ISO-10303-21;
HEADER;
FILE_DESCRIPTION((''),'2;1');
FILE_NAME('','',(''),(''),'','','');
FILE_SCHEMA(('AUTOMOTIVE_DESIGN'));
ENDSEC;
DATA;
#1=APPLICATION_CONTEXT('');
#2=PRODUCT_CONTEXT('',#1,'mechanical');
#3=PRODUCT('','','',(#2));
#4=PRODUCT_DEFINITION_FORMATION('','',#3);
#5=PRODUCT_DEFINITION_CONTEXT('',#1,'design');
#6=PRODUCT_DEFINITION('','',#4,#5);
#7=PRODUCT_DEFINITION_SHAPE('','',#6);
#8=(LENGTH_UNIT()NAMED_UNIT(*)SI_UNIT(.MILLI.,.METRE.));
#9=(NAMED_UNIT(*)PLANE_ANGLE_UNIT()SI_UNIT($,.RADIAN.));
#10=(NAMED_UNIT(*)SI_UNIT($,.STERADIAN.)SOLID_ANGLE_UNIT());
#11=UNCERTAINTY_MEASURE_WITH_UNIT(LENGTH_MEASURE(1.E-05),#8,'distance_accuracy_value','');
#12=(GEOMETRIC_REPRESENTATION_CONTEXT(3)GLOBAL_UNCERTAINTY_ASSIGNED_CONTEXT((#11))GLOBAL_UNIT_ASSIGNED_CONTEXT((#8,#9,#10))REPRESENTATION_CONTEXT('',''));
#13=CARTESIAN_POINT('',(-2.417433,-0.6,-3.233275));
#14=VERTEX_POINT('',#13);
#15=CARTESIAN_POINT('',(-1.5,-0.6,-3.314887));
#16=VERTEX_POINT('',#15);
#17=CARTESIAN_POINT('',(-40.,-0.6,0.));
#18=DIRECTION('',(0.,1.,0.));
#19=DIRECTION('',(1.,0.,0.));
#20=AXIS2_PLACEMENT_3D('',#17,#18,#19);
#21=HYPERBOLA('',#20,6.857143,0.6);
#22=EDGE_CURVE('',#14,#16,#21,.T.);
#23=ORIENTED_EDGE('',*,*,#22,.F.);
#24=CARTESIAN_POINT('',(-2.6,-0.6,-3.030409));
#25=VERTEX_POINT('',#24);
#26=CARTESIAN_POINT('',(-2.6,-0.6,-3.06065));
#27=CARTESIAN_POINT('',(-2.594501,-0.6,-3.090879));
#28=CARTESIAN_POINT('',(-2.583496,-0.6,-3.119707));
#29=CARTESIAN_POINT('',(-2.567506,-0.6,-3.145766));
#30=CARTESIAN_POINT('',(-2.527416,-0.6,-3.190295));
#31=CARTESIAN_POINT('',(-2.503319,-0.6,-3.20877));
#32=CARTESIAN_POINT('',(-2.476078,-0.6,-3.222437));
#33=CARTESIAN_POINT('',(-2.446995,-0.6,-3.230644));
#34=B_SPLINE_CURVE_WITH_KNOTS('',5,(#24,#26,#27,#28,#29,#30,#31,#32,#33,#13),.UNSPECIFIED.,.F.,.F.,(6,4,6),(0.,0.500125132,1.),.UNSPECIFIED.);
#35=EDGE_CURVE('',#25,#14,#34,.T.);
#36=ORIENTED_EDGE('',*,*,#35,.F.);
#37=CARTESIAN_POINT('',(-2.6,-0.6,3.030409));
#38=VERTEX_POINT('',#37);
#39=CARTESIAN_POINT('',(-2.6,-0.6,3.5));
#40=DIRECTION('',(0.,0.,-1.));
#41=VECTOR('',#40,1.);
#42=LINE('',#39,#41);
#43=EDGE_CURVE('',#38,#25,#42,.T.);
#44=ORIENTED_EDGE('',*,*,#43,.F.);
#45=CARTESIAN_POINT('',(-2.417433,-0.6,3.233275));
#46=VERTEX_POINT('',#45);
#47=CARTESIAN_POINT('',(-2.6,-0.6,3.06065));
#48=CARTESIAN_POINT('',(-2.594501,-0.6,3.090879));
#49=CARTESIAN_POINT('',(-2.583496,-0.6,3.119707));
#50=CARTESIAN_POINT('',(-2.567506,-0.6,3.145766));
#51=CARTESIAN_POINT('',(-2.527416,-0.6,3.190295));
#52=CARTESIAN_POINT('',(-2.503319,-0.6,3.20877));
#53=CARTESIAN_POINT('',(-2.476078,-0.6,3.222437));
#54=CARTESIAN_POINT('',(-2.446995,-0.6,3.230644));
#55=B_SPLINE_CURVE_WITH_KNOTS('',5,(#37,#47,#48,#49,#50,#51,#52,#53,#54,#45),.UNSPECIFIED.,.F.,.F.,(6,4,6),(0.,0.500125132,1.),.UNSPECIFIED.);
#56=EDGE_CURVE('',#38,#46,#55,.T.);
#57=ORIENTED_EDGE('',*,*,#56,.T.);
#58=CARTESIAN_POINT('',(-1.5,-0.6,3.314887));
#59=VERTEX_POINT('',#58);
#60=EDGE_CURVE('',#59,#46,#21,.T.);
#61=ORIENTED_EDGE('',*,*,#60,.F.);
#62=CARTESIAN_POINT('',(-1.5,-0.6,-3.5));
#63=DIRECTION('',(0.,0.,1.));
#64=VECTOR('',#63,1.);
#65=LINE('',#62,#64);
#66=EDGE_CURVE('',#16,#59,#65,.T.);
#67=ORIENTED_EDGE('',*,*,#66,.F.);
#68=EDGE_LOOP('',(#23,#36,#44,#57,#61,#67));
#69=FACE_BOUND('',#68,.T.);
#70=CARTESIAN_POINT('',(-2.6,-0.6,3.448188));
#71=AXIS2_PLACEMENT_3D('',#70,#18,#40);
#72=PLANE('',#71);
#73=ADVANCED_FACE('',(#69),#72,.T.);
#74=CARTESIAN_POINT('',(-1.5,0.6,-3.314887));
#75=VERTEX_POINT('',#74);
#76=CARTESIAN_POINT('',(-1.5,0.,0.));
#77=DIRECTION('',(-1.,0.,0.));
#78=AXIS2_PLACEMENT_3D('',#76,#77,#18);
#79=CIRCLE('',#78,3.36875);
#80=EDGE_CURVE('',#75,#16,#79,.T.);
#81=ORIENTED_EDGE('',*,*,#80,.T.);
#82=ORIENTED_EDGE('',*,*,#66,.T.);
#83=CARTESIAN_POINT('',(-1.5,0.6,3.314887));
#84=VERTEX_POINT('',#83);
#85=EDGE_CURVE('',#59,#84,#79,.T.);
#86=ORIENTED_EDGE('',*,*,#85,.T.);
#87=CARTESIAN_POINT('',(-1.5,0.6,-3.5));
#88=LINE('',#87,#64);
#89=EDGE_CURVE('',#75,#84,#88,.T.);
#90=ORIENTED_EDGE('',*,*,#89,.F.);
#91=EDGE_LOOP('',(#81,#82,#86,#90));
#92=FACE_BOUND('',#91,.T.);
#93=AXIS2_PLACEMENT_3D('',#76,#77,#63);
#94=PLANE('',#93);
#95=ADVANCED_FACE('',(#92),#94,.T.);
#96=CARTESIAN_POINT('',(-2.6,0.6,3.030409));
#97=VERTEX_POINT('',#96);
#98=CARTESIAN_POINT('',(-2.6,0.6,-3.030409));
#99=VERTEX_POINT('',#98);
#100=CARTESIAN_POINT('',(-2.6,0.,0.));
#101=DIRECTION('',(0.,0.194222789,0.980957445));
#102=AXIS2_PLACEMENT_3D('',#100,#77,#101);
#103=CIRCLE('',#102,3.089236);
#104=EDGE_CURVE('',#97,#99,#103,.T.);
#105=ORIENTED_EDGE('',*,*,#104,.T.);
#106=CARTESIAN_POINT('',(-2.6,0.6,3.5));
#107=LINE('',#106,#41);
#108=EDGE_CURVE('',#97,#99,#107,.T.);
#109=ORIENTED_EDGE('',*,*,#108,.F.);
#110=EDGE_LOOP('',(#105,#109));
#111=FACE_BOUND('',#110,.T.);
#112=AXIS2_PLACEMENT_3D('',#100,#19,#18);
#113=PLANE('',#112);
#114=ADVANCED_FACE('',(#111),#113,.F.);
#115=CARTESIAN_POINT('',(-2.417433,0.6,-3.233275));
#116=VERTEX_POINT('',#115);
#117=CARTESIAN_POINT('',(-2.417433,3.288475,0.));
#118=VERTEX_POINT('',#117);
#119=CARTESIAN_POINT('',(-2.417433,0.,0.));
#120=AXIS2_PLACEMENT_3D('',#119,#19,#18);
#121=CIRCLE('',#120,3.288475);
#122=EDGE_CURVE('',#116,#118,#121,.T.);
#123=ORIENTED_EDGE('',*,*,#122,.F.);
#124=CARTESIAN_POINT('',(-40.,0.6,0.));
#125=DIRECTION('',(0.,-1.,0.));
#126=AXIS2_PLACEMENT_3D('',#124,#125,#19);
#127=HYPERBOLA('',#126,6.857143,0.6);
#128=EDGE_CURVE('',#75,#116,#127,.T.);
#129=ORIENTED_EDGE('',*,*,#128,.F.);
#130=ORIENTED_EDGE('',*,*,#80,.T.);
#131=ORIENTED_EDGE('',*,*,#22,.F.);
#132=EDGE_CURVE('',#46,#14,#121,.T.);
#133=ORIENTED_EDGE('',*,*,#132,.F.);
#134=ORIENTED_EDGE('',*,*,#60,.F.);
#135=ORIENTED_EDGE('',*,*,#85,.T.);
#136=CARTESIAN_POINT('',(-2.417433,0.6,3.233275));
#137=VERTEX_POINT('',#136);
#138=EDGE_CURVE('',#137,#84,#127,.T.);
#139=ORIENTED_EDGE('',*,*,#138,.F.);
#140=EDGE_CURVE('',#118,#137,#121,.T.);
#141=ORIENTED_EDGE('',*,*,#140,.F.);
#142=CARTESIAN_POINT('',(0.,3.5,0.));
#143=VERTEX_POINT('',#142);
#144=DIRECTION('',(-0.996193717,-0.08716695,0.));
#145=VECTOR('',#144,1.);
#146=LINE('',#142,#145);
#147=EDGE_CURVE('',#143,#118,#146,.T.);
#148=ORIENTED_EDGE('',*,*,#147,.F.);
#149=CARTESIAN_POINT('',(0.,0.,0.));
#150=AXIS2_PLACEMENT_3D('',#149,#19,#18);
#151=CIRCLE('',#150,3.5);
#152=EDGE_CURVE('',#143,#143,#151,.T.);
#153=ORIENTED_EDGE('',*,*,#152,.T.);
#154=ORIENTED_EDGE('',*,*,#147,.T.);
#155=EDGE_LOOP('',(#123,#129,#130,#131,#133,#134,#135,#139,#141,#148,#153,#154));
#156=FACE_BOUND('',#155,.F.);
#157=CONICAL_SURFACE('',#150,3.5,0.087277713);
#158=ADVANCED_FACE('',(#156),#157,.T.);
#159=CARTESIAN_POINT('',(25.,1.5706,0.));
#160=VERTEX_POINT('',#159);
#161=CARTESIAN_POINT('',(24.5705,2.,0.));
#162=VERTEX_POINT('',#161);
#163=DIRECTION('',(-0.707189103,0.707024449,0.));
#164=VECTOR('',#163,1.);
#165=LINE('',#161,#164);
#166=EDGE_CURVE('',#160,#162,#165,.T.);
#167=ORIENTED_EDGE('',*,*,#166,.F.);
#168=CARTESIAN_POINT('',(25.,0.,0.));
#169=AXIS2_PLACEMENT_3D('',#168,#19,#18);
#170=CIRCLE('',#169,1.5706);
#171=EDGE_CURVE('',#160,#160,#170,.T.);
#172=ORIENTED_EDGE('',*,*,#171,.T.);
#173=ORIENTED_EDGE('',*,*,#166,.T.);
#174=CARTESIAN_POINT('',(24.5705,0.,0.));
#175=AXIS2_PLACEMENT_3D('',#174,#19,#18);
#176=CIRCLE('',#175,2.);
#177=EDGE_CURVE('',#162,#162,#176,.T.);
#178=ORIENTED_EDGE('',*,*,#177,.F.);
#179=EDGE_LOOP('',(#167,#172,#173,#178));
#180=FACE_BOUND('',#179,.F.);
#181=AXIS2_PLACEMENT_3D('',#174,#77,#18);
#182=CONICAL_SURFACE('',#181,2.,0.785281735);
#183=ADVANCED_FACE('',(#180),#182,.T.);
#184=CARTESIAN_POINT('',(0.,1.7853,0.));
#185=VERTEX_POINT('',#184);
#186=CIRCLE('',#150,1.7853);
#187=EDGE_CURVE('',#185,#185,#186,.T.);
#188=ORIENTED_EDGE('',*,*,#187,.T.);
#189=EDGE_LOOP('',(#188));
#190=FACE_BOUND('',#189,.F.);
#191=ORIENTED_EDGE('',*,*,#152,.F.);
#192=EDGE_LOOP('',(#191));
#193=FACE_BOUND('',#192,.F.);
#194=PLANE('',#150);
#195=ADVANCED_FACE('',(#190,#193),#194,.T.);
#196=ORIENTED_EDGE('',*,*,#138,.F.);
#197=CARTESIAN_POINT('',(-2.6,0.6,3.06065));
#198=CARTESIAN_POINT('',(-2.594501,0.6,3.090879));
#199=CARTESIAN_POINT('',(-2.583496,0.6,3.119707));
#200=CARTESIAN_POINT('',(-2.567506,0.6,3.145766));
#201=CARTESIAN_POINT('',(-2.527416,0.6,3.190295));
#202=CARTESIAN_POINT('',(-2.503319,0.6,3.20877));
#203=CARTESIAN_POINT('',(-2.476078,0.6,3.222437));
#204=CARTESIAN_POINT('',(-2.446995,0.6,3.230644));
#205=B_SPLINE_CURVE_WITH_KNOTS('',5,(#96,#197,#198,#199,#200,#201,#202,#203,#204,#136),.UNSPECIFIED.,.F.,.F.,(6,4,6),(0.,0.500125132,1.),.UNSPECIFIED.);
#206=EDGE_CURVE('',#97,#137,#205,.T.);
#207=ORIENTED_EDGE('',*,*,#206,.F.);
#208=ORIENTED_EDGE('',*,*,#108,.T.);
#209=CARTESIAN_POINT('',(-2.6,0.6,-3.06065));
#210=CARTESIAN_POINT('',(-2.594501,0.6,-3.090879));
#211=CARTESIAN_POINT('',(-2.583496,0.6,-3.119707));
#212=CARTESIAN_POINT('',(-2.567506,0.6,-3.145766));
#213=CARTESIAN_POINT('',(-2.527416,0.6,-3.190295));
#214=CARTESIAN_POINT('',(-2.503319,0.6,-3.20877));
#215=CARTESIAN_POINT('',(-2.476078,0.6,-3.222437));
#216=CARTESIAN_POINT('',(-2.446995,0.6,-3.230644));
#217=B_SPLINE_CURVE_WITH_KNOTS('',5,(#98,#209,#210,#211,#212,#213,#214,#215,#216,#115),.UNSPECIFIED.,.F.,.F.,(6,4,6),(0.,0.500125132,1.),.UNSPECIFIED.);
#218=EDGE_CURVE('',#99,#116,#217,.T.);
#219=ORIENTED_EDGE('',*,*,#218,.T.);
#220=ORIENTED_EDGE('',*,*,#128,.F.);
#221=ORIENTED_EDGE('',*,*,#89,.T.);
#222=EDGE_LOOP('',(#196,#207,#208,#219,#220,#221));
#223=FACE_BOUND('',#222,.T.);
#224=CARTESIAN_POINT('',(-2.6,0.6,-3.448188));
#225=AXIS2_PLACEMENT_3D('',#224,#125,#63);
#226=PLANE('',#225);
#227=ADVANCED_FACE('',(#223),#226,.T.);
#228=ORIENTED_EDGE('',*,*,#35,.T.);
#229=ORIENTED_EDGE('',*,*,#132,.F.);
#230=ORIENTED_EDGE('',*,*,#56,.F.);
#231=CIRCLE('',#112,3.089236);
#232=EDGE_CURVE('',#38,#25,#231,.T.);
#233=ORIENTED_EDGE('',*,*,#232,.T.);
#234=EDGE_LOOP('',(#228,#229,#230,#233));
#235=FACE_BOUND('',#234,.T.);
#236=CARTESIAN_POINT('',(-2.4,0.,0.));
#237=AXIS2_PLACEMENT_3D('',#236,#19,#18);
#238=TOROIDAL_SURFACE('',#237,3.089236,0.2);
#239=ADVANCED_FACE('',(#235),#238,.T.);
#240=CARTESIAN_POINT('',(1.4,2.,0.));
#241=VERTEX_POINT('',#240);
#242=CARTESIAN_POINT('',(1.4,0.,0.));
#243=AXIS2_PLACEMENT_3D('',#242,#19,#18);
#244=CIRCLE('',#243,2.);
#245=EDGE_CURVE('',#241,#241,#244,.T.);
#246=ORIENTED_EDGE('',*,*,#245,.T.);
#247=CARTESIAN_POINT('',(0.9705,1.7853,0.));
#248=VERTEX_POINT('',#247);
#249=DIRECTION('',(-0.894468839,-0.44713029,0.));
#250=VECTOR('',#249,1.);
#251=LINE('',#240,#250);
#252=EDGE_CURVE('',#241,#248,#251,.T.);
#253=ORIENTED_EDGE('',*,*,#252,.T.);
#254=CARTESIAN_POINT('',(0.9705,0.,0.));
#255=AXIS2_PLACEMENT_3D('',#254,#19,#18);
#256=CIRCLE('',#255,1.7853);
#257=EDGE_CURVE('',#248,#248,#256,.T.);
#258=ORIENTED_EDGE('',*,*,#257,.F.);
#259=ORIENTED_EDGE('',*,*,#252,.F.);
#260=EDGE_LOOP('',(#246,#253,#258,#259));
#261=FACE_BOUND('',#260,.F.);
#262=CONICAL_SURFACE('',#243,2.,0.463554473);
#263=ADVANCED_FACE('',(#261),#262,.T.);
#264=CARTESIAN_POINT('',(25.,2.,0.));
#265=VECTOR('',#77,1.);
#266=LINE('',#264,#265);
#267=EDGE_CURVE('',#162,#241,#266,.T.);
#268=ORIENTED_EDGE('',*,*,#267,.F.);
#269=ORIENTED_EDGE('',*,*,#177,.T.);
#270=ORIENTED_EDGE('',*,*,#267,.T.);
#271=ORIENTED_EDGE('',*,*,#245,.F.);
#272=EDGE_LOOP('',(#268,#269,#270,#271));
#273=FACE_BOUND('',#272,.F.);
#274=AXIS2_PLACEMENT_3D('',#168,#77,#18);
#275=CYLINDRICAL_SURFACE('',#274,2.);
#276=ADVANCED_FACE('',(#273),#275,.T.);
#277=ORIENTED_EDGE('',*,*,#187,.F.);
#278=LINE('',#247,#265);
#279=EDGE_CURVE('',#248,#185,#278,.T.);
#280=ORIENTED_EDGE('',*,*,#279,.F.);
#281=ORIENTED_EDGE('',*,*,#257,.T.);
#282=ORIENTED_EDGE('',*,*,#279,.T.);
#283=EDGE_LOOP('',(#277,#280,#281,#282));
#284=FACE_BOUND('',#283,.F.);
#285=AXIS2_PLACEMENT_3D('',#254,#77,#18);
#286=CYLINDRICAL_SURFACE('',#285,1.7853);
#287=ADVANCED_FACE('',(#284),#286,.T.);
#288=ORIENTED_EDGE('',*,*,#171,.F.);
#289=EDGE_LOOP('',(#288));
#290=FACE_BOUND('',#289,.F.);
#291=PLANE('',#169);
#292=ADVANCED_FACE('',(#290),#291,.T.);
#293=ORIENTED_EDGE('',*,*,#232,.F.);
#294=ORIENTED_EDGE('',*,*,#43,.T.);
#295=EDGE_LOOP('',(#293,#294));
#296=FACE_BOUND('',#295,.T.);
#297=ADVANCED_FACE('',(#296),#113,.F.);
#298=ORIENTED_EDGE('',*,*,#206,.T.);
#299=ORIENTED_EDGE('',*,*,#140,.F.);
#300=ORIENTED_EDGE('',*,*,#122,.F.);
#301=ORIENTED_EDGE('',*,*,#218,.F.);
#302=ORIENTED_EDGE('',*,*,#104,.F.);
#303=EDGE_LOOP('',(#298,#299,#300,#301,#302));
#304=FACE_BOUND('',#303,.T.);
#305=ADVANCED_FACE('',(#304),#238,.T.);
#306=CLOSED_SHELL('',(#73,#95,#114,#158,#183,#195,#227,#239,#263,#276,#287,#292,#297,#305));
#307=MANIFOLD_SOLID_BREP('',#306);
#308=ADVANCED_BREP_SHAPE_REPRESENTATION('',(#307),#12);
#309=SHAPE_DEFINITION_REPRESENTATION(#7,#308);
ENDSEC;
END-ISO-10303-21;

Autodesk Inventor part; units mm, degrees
ref_plane "YZ Plane" through (0, 0, 0) normal (1, 0, 0) x (0, 1, 0)
ref_plane "XZ Plane" through (0, 0, 0) normal (0, 1, 0) x (-1, 0, 0)
sketch "Skizze1" plane through (0, 0, 0) normal (0, 0, 1) x (1, 0, 0)
  line L0 (-2.6, 0) -> (25, 0)
  line L1 (25, 0) -> (25, 2)
  line L2 (25, 2) -> (1.4, 2)
  line L3 (1.4, 2) -> (0.9705, 1.7853)
  line L4 (0.9705, 1.7853) -> (0, 1.7853)
  line L5 (0, 1.7853) -> (0, 3.5)
  line L6 (-8.12, 0) -> (30.52, 0) projected
  line L7 (0, -0.7) -> (0, 4.2) projected
  line L8 (-2.6, 0) -> (-2.6, 3.2725)
  line L9 (0, 3.5) -> (-2.6, 3.2725)
  line L10 (1.4, 2) -> (0, 2) construction
  dimension "d0" = 25
  dimension "d1" = 23.6
  dimension "d2" = 0.4295
  dimension "d3" = 2.6
  dimension "d4" = 4
  dimension "d5" = 3.5705
  dimension "d9" = 7
  dimension "d10" = 5
revolve "Körper" add sketch "Skizze1" angle 360 about axis through (-2.6, 0, 0) along (1, 0, 0)
sketch "Skizze2" plane through (-2.6, 0, 0) normal (-1, 0, 0) x (0, 0, 1)
  circle A0 centre (0, 0) radius 3.5 projected
  line L0 (0, 0) -> (0, 3.2725) projected
  line L1 (-3.5, 0.6) -> (3.5, 0.6)
  line L2 (3.5, 0.6) -> (3.5, -0.6)
  line L3 (3.5, -0.6) -> (-3.5, -0.6)
  line L4 (-3.5, -0.6) -> (-3.5, 0.6)
  line L5 (-3.5, 0) -> (3.5, 0) construction
  line L6 (0, 0.6) -> (0, -0.6) construction
  dimension "d11" = 1.2
  dimension "d12" = 7
fillet "Rundung1" radius 0.2 1 edges at (-2.6, -3.2725, 0)
extrude "Loch" cut sketch "Skizze2" against normal blind 1.1 contours A0 L3 L1 | L2 L3 A0 | A0 L1 L2 | A0 L4 L1 | L3 L4 A0
thread "Gewinde" size "M4x0.7" class "6g" standard "ISO Metric profile" length 23.6
chamfer "Fase1" distance 0.4294 distance2 0.4295 1 edges at (25, -2, 0) measured on face at (25, 0.2007, 0.5552)
ref_plane "Work Plane1" through (30.1625, 0, 0) normal (0, 0, -1) x (1, 0, 0)
equation "\"d11\" = SBR"
equation "\"d12\" = KOD"
equation "\"d14\" = RR"
equation "\"d19\" = STI"
equation "\"d15\" = GEL"
equation "\"d17\" = -0.5 * SPD + 0.5 * GD"
equation "\"d0\" = NLG"
equation "\"d1\" = GEL"
equation "\"d3\" = KOH"
equation "\"d4\" = GD"
equation "\"d5\" = BDM"
equation "\"d9\" = KOD"
equation "\"d10\" = KEWI"
equation "\"GD\" = NND"
equation "\"NLG\" = 25"
equation "\"GEL\" = 23.6"
equation "\"KOD\" = 7"
equation "\"KOH\" = 2.6"
equation "\"GAL\" = 0.61345 * PTC"
equation "\"SPD\" = NND - 1.2269 * PTC"
equation "\"BDM\" = 3.5705"
equation "\"GUL\" = 0.61345 * PTC"
equation "\"RR\" = 0.2"
equation "\"SBR\" = 1.2"
equation "\"STI\" = 1.1"
equation "\"KEWI\" = 5deg"
equation "\"PTC\" = 0.7"
equation "\"THREADDIA\" = 4"
equation "\"TOA\" = 30deg"
equation "\"NND\" = 4"
equation "\"GD1\" = THREADDIA - 1.2269 * PTC"
properties part number "ISO 1207  - M4 x 25" material "Edelstahl, 440C"
